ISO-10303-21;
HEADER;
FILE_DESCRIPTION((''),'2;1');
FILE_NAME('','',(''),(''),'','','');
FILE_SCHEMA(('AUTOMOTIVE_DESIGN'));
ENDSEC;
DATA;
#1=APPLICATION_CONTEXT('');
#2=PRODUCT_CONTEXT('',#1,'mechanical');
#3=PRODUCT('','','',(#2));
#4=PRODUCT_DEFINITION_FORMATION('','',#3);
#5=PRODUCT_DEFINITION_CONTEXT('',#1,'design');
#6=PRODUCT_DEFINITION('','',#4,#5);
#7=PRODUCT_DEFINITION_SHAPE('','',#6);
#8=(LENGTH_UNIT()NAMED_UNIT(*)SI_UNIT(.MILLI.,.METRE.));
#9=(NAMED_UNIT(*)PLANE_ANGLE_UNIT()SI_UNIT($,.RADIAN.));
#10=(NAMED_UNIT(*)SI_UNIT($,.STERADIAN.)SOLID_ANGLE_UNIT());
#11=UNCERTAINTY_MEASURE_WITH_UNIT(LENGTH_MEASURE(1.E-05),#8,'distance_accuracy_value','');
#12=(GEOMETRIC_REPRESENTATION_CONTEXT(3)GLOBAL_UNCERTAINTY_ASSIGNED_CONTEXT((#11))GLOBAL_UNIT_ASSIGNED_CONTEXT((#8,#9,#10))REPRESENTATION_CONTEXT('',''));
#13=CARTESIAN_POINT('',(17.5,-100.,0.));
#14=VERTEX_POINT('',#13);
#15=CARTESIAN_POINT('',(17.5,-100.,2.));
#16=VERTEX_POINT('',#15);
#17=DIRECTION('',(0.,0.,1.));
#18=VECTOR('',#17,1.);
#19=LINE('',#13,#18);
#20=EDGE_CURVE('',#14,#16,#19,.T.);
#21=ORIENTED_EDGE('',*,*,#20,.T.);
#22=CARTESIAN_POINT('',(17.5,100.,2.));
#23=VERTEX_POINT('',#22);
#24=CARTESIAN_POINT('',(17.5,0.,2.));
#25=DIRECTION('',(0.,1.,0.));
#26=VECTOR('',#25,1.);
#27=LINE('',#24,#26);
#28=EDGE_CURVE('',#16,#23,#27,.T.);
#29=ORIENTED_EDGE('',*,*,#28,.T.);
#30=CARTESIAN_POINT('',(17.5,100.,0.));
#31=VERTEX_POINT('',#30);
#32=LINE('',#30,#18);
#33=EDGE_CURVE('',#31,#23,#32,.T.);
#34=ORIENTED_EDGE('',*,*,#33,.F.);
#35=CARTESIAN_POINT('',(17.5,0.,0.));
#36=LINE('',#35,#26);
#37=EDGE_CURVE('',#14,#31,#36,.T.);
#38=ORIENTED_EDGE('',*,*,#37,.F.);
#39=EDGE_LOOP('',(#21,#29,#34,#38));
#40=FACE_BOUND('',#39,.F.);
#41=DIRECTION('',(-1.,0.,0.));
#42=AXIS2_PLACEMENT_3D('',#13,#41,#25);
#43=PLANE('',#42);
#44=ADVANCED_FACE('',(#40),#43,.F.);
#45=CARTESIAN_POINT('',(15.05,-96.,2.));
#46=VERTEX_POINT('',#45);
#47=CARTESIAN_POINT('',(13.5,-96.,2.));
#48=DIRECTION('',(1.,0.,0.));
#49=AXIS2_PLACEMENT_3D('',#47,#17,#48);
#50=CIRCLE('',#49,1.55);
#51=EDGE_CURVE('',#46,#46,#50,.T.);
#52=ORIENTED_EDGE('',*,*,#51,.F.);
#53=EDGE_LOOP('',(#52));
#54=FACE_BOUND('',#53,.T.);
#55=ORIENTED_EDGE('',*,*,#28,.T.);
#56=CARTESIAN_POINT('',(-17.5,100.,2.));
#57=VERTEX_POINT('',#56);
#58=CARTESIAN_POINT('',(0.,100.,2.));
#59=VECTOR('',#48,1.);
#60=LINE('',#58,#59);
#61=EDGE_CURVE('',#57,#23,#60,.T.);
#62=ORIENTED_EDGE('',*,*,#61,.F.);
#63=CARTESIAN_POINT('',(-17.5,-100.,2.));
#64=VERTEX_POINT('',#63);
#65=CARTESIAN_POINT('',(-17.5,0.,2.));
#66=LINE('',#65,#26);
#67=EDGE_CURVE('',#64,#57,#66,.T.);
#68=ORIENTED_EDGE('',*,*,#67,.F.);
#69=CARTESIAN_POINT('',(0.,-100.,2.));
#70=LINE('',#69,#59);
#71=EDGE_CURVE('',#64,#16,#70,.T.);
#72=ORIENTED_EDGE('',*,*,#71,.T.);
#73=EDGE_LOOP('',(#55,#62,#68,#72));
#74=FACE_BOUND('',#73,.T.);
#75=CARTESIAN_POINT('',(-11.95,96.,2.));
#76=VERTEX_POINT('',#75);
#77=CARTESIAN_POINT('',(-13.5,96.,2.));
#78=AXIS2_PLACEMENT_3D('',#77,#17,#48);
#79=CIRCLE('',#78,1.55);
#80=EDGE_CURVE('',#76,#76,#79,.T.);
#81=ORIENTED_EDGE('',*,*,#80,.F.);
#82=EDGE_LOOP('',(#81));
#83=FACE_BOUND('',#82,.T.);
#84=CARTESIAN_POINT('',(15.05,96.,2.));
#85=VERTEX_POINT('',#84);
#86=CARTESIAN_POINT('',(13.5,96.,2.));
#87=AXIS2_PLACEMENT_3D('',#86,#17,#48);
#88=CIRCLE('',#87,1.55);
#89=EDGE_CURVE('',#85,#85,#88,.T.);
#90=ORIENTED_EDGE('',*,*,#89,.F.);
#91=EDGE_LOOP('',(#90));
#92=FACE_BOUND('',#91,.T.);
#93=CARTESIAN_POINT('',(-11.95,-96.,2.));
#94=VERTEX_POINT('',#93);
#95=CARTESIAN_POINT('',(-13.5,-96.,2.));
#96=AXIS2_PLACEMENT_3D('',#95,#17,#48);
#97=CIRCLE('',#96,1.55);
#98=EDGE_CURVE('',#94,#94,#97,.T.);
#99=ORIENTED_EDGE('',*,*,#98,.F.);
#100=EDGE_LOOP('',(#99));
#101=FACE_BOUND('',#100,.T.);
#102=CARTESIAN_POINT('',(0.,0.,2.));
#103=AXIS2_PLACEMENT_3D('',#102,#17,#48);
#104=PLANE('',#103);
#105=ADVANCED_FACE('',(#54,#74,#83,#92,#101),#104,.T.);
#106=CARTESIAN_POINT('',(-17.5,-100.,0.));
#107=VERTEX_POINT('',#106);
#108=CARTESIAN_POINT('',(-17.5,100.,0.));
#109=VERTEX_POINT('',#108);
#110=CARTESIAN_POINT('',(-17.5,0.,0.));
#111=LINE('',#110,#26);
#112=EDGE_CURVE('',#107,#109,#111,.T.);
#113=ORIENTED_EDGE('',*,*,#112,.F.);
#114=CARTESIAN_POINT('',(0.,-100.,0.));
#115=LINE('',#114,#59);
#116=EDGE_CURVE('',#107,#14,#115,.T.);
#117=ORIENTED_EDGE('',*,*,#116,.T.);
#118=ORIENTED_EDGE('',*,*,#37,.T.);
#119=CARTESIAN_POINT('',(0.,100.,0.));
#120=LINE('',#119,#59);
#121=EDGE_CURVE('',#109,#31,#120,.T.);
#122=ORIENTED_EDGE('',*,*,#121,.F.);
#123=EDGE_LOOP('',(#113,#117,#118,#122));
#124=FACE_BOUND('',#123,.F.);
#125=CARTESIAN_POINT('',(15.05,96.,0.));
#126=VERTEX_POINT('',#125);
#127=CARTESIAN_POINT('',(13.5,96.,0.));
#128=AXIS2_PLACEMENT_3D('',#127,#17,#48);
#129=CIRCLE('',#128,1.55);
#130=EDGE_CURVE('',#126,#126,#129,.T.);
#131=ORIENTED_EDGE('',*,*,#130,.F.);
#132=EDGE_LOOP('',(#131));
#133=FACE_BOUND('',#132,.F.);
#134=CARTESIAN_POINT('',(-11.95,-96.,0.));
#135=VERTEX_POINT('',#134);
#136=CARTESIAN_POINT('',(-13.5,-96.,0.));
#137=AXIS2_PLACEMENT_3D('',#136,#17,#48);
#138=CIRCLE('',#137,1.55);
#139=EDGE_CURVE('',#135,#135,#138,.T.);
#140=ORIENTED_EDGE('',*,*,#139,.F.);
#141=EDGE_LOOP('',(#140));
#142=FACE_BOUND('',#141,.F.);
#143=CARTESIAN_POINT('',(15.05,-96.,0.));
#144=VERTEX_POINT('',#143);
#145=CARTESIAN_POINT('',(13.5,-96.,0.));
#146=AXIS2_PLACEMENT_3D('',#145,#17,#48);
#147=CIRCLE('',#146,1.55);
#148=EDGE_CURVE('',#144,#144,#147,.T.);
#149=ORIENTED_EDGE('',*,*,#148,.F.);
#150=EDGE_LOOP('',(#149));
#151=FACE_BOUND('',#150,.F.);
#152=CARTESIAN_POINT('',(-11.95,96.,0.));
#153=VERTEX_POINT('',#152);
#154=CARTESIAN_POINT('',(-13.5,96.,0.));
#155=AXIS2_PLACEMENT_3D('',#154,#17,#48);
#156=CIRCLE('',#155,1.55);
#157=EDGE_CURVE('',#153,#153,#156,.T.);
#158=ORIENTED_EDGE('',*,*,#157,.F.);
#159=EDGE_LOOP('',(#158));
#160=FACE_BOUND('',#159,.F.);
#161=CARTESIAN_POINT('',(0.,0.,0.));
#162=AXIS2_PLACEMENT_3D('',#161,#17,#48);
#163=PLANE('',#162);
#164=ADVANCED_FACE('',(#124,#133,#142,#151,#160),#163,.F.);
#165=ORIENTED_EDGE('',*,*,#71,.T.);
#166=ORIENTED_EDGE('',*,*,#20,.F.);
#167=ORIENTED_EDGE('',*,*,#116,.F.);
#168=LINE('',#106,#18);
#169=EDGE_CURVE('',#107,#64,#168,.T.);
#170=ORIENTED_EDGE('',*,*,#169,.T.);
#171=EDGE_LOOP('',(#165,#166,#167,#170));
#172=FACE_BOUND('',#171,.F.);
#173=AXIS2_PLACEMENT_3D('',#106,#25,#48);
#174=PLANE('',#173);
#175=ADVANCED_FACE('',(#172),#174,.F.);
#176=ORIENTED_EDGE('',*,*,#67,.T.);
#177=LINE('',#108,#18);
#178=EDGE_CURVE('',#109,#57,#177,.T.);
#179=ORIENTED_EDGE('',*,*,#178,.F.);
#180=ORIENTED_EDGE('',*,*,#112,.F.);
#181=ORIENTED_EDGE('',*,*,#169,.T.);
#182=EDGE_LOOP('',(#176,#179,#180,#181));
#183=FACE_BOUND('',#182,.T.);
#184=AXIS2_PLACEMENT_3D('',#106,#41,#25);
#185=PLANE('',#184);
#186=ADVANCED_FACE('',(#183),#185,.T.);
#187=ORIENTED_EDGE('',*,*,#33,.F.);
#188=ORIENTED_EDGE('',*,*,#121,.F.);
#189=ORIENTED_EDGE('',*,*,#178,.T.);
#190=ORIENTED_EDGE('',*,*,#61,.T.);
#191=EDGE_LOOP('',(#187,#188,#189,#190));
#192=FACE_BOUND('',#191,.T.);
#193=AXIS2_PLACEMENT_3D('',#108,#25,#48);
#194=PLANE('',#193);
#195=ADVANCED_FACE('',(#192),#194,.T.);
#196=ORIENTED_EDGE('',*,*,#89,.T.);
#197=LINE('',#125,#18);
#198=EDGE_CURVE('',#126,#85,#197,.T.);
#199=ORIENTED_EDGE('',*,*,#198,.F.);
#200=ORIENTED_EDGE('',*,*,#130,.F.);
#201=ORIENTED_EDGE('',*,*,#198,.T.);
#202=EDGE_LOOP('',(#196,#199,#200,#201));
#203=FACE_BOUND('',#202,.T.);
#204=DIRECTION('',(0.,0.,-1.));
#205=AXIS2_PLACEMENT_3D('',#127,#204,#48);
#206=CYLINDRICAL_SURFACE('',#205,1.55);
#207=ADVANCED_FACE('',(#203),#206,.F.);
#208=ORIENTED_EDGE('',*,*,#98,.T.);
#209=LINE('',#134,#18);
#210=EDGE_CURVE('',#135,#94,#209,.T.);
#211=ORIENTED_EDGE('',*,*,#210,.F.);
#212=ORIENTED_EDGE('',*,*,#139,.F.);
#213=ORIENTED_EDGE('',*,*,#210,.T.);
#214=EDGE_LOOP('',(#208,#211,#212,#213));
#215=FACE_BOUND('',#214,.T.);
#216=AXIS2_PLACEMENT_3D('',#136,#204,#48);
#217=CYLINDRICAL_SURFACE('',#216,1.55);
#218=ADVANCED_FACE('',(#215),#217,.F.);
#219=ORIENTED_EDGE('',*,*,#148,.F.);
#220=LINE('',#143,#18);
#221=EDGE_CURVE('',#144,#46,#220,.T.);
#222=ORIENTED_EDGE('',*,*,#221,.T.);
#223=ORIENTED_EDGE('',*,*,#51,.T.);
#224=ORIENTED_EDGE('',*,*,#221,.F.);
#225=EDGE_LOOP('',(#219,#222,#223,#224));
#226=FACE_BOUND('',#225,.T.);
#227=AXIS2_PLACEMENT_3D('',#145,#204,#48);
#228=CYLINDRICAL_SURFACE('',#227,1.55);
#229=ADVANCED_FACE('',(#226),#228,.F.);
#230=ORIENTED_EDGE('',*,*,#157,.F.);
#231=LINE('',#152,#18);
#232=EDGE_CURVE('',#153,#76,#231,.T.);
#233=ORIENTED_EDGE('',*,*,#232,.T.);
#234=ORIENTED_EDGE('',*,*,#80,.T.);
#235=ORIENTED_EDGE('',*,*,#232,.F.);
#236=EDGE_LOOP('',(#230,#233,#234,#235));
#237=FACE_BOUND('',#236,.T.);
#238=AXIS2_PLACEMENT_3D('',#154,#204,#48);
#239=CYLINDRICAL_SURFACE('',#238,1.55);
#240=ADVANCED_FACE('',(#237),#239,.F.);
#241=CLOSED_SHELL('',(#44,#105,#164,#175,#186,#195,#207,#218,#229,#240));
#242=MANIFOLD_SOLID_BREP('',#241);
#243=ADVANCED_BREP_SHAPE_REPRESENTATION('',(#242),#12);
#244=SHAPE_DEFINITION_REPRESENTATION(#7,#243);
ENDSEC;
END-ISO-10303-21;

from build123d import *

# Parameters (mm, degrees)
SKETCH_W  = 35
SKETCH_H  = 200
SKETCH_R  = 1.55
PAD_DEPTH = 2


with BuildPart() as part:
    # Sketch → Pad (new body)
    with BuildSketch(Plane.XY):
        Rectangle(SKETCH_W, SKETCH_H)
        with Locations((-13.5, -96)):
            Circle(SKETCH_R, mode=Mode.SUBTRACT)
        with Locations((13.5, -96)):
            Circle(SKETCH_R, mode=Mode.SUBTRACT)
        with Locations((-13.5, 96)):
            Circle(SKETCH_R, mode=Mode.SUBTRACT)
        with Locations((13.5, 96)):
            Circle(SKETCH_R, mode=Mode.SUBTRACT)
    extrude(amount=PAD_DEPTH)


solid = part.part
